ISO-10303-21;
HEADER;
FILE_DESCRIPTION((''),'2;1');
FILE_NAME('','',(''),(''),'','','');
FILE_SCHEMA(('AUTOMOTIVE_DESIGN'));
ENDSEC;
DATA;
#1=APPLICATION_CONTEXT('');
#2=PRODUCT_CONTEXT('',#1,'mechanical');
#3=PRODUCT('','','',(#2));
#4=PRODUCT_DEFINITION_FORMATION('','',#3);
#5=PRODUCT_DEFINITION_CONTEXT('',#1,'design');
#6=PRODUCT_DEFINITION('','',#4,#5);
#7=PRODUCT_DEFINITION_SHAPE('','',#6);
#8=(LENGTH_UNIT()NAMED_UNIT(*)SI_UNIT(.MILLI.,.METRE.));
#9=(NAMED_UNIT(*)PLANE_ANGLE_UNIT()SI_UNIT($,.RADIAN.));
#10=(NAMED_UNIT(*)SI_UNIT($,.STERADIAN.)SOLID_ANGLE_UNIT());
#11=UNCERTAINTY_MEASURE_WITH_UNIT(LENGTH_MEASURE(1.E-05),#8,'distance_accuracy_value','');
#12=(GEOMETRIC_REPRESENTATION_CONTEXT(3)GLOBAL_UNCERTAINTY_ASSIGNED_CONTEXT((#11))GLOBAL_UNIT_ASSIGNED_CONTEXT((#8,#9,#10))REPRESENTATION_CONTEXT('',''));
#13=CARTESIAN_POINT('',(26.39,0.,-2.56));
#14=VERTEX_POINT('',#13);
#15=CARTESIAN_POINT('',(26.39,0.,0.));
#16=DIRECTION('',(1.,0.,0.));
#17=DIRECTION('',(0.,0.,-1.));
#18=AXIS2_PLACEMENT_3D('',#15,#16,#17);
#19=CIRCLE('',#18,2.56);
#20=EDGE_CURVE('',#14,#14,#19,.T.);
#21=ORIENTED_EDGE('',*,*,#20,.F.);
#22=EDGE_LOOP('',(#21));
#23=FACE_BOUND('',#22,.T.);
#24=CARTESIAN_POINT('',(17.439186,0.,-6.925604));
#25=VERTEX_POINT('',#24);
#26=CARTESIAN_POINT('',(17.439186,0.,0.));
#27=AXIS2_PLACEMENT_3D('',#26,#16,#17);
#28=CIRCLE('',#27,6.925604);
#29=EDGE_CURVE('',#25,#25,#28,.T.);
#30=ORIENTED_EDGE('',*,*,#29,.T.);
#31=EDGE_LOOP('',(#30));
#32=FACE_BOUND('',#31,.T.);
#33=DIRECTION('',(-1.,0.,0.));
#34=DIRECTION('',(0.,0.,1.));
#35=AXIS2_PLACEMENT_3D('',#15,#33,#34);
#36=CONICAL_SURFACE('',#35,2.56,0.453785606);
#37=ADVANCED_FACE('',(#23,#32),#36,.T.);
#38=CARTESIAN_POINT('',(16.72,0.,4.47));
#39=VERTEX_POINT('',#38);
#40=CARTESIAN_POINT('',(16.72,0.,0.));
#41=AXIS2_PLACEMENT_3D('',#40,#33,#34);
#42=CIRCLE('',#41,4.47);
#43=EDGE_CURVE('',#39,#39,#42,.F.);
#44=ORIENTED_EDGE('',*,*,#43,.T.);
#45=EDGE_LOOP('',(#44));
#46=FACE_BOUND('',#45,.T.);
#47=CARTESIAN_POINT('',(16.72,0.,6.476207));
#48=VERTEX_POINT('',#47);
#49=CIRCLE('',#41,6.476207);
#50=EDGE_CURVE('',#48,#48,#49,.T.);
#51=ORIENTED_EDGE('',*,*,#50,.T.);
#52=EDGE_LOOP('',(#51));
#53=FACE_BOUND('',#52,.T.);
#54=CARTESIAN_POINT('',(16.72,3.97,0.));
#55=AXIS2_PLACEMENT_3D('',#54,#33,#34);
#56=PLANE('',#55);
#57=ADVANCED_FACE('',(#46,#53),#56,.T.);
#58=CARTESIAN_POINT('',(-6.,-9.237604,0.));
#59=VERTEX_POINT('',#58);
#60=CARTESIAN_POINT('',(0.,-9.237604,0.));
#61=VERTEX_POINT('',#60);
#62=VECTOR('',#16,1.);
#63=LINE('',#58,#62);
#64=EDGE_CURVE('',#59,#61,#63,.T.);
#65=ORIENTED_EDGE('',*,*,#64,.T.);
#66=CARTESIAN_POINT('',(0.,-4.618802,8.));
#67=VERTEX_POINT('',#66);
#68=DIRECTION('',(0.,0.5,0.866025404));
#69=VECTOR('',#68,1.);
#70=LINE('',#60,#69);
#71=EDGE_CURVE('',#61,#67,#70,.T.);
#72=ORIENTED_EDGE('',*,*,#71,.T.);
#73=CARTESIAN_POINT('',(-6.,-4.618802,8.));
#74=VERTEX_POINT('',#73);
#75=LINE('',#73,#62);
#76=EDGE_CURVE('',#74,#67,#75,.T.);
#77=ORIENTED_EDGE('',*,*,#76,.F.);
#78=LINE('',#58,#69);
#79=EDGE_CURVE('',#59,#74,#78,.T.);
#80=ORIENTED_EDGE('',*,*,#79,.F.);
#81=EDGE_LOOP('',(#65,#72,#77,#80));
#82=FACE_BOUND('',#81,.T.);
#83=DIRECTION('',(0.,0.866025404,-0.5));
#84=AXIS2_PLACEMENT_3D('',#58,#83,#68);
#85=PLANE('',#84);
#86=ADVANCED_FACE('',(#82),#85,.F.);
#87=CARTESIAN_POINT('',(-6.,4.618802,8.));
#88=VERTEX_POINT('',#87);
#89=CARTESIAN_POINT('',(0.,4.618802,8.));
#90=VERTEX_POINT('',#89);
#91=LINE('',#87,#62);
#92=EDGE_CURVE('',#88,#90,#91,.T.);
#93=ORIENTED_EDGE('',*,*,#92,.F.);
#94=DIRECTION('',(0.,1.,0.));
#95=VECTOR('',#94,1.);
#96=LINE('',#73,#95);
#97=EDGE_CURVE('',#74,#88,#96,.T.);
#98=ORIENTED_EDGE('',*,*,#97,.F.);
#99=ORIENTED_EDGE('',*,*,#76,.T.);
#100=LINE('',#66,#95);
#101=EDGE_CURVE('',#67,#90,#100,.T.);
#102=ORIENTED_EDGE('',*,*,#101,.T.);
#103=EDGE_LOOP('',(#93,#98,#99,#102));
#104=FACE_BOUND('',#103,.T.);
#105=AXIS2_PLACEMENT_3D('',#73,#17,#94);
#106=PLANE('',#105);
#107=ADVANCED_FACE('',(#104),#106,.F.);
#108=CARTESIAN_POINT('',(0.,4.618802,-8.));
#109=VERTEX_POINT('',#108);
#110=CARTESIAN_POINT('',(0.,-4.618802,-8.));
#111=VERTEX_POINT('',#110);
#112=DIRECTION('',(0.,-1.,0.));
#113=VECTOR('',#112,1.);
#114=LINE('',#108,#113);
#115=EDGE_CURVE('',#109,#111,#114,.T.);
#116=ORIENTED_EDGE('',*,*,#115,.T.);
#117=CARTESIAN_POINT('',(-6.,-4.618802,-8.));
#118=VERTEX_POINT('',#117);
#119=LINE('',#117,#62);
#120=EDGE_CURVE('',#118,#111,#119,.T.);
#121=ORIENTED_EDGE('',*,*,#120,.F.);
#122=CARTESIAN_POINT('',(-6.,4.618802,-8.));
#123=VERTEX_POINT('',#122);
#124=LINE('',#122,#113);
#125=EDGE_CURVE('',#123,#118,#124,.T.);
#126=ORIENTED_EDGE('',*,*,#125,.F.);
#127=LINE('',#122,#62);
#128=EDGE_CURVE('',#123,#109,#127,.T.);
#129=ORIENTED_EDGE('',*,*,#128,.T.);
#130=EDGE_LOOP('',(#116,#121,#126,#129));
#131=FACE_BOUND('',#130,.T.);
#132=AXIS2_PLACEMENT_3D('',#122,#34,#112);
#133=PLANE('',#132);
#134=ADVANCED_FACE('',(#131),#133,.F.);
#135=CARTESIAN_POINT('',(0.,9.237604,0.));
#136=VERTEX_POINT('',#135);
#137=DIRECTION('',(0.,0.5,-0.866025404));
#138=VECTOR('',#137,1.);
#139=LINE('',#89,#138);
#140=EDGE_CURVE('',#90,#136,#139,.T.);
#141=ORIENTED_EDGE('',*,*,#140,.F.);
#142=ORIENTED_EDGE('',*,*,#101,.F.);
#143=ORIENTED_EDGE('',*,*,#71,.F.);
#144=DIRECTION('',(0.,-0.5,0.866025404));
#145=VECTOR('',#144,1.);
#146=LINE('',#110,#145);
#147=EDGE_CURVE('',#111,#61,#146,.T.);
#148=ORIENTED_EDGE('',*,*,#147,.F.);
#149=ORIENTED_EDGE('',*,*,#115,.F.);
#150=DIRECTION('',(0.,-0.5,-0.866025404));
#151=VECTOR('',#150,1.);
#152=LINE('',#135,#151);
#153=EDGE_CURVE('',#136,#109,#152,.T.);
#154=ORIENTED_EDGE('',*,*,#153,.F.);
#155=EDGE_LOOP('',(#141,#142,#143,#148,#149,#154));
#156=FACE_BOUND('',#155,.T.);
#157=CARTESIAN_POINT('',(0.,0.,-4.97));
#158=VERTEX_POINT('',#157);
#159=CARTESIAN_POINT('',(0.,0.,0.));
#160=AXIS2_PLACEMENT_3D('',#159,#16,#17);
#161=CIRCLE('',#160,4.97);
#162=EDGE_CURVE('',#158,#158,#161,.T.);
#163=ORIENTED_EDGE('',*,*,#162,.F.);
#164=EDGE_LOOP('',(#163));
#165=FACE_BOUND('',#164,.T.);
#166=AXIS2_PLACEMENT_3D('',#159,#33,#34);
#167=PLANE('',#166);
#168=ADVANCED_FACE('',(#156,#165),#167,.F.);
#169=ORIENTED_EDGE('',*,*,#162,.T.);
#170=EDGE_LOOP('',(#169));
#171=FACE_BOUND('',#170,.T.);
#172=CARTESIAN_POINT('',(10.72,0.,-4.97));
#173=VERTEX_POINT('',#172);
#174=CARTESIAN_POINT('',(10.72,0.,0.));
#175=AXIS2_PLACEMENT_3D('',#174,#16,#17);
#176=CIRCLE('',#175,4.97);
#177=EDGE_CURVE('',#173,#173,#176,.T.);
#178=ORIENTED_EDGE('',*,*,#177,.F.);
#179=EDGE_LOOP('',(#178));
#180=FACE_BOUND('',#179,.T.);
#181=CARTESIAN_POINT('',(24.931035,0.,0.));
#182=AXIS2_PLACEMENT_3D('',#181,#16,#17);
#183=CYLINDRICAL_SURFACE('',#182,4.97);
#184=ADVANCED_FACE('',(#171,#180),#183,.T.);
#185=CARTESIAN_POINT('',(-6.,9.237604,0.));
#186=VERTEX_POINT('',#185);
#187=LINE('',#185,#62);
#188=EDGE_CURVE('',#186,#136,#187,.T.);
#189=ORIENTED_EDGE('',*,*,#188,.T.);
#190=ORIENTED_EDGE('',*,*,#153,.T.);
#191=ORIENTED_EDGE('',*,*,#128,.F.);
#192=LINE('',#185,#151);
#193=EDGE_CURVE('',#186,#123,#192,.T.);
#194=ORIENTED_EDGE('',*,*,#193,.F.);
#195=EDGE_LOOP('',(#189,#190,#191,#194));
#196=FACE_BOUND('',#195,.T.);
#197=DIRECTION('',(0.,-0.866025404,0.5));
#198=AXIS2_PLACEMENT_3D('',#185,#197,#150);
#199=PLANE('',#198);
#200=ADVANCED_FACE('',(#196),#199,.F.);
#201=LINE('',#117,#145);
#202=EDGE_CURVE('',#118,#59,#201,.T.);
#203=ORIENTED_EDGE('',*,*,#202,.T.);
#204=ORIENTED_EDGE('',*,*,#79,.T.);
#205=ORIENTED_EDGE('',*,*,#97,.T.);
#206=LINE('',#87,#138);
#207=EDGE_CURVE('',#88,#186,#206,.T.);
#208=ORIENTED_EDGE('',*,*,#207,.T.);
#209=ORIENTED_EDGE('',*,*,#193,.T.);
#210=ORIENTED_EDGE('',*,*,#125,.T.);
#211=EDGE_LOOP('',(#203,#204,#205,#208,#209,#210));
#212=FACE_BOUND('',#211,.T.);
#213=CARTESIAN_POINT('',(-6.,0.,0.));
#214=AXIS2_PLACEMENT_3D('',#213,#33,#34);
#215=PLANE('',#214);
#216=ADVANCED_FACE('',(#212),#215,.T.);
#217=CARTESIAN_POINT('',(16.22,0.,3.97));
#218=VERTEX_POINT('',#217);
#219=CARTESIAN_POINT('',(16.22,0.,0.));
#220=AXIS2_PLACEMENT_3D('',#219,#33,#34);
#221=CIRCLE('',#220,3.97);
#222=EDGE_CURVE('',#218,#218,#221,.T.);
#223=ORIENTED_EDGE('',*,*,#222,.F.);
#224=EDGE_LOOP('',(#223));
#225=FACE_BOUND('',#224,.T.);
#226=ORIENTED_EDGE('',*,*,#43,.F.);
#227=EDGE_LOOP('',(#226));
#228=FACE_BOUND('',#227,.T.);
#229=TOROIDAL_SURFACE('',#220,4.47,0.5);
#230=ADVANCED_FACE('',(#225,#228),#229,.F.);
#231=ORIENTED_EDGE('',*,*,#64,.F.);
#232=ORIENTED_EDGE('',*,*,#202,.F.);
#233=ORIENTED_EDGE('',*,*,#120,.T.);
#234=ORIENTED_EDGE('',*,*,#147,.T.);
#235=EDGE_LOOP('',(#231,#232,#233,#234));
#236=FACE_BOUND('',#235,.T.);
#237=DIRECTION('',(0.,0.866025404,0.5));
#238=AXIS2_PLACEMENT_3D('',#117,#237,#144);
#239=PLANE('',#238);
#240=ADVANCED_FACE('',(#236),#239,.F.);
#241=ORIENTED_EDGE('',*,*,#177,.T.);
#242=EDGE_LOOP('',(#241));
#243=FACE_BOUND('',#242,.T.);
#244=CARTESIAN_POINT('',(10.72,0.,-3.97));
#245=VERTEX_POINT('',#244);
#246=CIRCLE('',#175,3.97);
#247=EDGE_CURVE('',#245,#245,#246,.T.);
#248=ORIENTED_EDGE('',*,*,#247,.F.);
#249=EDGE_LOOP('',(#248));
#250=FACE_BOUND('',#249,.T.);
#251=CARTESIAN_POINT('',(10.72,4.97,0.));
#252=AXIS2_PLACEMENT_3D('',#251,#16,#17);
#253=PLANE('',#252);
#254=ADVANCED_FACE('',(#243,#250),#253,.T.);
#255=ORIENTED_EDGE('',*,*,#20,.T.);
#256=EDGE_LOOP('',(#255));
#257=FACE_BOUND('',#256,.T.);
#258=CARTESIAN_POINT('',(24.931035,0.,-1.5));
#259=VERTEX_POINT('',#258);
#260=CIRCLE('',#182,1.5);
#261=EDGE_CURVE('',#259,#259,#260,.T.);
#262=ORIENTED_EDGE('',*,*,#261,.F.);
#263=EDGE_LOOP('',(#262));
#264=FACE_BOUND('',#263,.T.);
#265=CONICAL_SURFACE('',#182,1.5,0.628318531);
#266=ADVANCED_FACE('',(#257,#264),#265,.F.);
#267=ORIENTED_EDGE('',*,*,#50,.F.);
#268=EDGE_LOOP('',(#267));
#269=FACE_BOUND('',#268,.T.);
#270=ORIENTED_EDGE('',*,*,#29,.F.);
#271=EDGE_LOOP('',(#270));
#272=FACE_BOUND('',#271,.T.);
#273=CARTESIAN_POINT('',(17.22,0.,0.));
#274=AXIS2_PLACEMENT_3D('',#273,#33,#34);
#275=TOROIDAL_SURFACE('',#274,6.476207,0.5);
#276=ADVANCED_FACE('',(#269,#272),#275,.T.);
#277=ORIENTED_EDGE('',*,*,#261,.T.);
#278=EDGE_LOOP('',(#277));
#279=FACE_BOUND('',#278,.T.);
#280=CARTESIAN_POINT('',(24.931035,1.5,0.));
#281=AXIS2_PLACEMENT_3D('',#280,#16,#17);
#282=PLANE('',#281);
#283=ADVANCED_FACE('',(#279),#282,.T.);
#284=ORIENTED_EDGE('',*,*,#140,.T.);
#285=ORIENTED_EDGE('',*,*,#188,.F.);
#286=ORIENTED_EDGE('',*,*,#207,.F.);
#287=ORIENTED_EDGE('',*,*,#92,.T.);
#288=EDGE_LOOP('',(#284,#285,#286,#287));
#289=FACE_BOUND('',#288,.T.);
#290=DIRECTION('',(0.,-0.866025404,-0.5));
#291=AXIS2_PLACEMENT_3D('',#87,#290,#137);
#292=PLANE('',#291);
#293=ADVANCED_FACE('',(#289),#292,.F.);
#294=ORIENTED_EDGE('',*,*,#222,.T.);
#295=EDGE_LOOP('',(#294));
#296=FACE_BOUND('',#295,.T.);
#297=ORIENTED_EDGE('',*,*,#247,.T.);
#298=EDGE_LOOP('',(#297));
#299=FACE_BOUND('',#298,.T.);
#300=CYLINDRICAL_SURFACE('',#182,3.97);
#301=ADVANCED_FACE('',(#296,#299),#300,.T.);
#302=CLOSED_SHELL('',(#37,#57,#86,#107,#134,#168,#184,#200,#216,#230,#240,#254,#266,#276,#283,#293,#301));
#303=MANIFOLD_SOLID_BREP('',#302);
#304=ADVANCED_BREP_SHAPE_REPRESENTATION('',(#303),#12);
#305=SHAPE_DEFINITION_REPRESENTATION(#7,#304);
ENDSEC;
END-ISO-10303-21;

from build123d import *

# Parameters (mm, degrees)
BOSS_EXTRUDE1_DEPTH = 6
FILLET2_R           = 0.5


with BuildPart() as part:
    # Sketch1 → Revolve1 (revolve)
    with BuildSketch(Plane.XY, mode=Mode.PRIVATE) as revolve1_sk:
        Polygon((0, 0), (0, 4.97), (10.72, 4.97), (10.72, 3.97), (16.72, 3.97), (16.72, 7.276374131), (26.39, 2.56), (24.931035164, 1.5), (24.931035164, 0), align=None)
    revolve(revolve1_sk.sketch.rotate(Axis((24.931035164, 0, 0), (-1, 0, 0)), 90), axis=Axis((24.931035164, 0, 0), (-1, 0, 0)))

    # Sketch2 → Boss-Extrude1 (add)
    with BuildSketch(Plane.ZY):
        Polygon((0, 9.237604307), (-8, 4.618802154), (-8, -4.618802154), (0, -9.237604307), (8, -4.618802154), (8, 4.618802154), align=None)
    extrude(amount=BOSS_EXTRUDE1_DEPTH)

    # Fillet2
    fillet2_edges = [part.edges().sort_by_distance(p)[0] for p in [
        (16.72, 0, 7.276374131),
        (16.72, 0, 3.97),
    ]]
    fillet(fillet2_edges, radius=FILLET2_R)


solid = part.part
